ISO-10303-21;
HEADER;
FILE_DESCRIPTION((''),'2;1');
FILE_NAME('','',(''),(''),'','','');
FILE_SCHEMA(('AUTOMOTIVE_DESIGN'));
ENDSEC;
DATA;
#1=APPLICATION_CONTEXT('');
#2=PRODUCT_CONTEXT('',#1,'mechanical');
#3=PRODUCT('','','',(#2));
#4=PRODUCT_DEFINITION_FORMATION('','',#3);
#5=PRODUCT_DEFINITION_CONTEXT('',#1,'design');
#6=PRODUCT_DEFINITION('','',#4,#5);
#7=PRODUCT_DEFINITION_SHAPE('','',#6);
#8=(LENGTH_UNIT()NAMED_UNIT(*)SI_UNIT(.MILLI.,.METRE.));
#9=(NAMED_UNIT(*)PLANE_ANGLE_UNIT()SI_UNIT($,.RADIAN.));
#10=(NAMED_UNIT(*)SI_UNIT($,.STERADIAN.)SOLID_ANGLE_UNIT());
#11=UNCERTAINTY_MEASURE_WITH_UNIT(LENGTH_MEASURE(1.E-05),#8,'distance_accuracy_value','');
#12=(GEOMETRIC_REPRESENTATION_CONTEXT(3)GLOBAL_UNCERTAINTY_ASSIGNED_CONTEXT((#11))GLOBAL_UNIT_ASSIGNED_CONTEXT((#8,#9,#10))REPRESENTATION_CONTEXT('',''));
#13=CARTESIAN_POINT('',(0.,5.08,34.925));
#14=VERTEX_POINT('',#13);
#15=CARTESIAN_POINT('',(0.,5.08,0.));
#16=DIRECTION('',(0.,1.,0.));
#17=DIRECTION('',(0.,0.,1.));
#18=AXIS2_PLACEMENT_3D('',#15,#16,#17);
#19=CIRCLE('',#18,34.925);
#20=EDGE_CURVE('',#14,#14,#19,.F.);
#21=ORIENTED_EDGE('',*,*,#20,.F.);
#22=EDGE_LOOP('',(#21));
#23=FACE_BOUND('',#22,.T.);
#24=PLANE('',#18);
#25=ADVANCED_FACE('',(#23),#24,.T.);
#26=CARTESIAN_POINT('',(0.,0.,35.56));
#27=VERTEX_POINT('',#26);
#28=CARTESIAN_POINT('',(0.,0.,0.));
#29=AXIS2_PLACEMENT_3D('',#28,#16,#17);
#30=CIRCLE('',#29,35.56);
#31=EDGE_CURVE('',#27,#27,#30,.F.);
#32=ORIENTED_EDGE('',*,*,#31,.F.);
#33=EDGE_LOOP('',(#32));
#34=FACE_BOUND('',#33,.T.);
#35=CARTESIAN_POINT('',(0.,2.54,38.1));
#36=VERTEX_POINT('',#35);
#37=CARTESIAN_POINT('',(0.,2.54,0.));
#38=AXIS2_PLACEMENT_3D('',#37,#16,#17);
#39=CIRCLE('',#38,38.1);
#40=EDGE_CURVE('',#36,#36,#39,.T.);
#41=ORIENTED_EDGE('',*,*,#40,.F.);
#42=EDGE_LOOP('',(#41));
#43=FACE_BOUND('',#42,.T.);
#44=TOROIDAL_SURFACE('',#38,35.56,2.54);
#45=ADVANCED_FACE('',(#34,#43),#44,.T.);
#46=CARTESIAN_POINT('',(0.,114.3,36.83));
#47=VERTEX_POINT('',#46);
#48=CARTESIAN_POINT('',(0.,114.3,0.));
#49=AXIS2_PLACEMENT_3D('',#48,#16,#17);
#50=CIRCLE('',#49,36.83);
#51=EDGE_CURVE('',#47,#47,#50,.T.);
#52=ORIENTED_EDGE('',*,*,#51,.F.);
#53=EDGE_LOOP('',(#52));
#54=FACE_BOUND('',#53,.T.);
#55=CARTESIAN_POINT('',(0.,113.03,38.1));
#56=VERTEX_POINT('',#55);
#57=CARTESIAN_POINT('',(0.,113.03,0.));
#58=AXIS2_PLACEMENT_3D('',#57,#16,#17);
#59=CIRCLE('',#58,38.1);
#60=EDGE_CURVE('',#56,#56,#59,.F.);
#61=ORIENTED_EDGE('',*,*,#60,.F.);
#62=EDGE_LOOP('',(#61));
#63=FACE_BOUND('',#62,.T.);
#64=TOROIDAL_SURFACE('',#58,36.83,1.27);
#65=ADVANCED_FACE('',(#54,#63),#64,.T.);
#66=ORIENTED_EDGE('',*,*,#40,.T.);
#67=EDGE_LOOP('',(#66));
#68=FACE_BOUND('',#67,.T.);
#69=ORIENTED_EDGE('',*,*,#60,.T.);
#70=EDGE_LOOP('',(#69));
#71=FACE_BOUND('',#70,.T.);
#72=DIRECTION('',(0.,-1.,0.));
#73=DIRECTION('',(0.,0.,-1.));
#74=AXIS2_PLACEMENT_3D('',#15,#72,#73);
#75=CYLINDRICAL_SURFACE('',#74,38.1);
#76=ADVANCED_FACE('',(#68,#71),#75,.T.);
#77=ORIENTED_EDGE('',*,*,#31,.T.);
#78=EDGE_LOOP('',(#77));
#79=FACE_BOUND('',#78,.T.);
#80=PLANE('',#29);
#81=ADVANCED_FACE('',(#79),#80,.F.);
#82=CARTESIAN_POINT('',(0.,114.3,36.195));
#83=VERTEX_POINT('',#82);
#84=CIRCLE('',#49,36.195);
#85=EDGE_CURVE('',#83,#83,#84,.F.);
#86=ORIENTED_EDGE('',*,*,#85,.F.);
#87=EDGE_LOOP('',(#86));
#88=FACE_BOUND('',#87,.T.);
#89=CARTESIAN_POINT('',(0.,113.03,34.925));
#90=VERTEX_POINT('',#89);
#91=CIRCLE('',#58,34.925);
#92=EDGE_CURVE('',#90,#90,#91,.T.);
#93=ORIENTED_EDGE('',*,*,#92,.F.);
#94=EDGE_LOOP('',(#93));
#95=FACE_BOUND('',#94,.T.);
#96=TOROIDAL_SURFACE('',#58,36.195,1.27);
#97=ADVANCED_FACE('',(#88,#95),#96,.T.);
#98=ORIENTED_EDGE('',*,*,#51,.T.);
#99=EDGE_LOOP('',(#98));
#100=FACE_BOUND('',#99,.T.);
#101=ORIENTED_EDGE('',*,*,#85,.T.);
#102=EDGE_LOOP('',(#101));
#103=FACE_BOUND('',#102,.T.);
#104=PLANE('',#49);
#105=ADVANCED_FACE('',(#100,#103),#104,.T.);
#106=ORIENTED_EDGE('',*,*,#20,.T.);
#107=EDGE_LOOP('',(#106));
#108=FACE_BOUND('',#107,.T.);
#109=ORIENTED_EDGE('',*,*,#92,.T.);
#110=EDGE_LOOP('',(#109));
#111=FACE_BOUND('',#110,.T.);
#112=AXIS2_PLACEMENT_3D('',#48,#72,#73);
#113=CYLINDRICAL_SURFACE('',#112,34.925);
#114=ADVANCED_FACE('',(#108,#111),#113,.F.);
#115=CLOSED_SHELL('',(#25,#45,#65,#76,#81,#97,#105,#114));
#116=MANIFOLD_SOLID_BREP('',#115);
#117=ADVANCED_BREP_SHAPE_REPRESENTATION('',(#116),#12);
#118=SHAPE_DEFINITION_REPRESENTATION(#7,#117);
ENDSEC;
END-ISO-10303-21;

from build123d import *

# Parameters (mm, degrees)
SKETCH1_R           = 38.1
BOSS_EXTRUDE1_DEPTH = 5.08
SKETCH3_R           = 38.1
SKETCH3_R_2         = 34.925
BOSS_EXTRUDE2_DEPTH = 109.22
FILLET1_R           = 1.27
FILLET2_R           = 2.54


with BuildPart() as part:
    # Sketch1 → Boss-Extrude1 (new body)
    with BuildSketch(Plane(origin=(0, 0, 0), x_dir=(1, 0, 0), z_dir=(0, 1, 0))):
        with Locations(Location((0, 0, 0), (0, 0, 270))):
            Circle(SKETCH1_R)
    extrude(amount=BOSS_EXTRUDE1_DEPTH)

    # Sketch3 → Boss-Extrude2 (add)
    with BuildSketch(Plane(origin=(0, 5.08, 0), x_dir=(1, 0, 0), z_dir=(0, 1, 0))):
        with Locations(Location((0, 0, 0), (0, 0, 270))):
            Circle(SKETCH3_R)
        with Locations(Location((0, 0, 0), (0, 0, 270))):
            Circle(SKETCH3_R_2, mode=Mode.SUBTRACT)
    extrude(amount=BOSS_EXTRUDE2_DEPTH)

    # Fillet1
    fillet1_edges = [part.edges().sort_by_distance(p)[0] for p in [
        (0, 114.3, -38.1),
        (0, 114.3, -34.925),
    ]]
    fillet(fillet1_edges, radius=FILLET1_R)

    # Fillet2
    fillet2_edges = [part.edges().sort_by_distance(p)[0] for p in [
        (0, 0, -38.1),
    ]]
    fillet(fillet2_edges, radius=FILLET2_R)


solid = part.part
